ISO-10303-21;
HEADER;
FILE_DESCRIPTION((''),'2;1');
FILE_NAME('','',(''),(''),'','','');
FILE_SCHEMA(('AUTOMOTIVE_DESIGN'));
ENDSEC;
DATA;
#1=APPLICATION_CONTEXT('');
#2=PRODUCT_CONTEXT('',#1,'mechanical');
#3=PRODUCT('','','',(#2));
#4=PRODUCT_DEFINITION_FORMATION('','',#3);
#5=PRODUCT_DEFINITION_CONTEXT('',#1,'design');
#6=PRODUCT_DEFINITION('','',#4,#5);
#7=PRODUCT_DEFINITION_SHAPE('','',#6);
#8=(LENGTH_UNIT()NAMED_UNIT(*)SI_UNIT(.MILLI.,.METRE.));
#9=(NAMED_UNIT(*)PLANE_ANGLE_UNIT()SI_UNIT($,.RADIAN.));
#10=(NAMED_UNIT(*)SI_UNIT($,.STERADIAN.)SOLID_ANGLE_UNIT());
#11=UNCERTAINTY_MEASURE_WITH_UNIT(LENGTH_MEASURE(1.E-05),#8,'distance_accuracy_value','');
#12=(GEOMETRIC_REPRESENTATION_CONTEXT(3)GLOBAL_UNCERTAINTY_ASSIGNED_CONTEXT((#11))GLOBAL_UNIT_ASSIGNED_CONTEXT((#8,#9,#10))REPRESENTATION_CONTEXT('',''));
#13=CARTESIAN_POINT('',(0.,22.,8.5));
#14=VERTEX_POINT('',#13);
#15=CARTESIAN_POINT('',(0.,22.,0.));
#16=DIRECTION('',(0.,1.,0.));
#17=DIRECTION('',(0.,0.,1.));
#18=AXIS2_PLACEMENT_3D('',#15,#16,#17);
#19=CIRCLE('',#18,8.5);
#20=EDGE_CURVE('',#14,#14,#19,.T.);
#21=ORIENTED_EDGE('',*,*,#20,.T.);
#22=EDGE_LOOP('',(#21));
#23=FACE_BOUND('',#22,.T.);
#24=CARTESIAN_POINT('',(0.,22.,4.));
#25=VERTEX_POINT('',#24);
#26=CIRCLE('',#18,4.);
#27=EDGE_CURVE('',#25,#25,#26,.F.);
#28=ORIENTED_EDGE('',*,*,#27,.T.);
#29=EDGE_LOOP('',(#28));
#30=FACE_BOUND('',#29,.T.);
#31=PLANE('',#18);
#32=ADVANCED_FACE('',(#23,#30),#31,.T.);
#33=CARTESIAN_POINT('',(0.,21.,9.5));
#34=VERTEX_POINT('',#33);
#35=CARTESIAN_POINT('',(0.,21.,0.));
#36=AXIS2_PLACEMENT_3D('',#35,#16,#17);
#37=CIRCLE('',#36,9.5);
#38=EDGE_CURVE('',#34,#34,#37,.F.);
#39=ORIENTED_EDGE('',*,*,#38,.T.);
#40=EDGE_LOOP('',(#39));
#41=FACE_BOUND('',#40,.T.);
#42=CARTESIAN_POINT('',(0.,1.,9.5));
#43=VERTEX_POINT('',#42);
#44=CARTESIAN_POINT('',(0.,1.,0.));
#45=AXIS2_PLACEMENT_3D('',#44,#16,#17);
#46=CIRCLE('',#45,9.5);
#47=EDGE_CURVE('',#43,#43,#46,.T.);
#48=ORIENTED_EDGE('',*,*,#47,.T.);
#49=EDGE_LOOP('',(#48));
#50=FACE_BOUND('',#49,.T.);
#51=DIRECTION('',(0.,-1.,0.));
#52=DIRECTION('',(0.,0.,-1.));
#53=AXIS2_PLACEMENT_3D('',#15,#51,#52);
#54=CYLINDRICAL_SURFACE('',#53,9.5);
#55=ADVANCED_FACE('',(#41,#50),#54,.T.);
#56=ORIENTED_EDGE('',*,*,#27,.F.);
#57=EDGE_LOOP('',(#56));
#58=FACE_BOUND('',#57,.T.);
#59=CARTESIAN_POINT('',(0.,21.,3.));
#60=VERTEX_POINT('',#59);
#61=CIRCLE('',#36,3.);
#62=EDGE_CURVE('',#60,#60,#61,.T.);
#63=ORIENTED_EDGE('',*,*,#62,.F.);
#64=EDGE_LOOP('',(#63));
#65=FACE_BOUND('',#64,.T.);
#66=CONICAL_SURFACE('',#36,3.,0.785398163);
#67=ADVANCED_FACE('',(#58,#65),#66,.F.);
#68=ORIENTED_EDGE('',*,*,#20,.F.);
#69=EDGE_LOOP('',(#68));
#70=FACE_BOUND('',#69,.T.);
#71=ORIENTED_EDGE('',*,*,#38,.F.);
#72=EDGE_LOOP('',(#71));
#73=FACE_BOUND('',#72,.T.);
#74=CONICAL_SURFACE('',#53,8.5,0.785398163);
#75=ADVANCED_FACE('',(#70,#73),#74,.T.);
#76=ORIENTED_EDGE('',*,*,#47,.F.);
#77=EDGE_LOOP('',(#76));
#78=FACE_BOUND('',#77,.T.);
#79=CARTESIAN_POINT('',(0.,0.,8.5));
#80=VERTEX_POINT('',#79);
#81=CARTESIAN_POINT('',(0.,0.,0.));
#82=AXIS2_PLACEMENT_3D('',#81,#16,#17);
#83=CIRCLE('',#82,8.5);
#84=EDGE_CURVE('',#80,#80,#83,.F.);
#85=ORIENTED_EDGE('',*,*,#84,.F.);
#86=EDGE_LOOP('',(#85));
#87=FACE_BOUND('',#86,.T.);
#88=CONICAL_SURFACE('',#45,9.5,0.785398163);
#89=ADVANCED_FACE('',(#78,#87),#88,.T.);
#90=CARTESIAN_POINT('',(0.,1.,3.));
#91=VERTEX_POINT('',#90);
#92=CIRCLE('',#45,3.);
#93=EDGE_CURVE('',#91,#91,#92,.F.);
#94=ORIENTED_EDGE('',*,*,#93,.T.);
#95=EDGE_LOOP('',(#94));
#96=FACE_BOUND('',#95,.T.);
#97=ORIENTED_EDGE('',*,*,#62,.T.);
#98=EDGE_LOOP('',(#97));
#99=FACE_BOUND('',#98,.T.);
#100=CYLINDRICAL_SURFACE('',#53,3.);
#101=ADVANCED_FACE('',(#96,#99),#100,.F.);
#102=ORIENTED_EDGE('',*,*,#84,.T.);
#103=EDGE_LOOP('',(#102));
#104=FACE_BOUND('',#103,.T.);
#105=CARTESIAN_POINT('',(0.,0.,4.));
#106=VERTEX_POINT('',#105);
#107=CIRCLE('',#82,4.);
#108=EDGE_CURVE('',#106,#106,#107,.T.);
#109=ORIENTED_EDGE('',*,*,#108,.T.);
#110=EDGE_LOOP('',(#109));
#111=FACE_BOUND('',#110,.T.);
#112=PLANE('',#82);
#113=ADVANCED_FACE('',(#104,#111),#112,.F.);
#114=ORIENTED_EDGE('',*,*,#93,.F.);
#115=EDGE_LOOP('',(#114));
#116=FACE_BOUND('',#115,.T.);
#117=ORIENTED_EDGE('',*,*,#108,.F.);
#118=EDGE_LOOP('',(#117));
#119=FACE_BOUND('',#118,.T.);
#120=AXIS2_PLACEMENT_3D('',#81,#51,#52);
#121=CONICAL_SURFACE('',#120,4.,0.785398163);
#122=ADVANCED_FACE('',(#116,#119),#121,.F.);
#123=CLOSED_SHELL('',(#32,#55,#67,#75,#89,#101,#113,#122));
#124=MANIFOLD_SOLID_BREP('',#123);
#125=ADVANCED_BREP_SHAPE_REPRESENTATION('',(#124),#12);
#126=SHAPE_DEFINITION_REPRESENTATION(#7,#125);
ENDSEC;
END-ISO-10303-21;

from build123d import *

# Parameters (mm, degrees)
SKETCH1_R           = 9.5
SKETCH1_R_2         = 3
BOSS_EXTRUDE1_DEPTH = 22
CHAMFER1_SIZE       = 1


with BuildPart() as part:
    # Sketch1 → Boss-Extrude1 (new body)
    with BuildSketch(Plane(origin=(0, 0, 0), x_dir=(1, 0, 0), z_dir=(0, 1, 0))):
        with Locations(Location((0, 0, 0), (0, 0, 270))):
            Circle(SKETCH1_R)
        with Locations(Location((0, 0, 0), (0, 0, 270))):
            Circle(SKETCH1_R_2, mode=Mode.SUBTRACT)
    extrude(amount=BOSS_EXTRUDE1_DEPTH)

    # Chamfer1
    chamfer1_edges = [part.edges().sort_by_distance(p)[0] for p in [
        (0, 0, -9.5),
        (0, 22, -9.5),
        (0, 0, -3),
        (0, 22, -3),
    ]]
    chamfer(chamfer1_edges, length=CHAMFER1_SIZE)


solid = part.part
